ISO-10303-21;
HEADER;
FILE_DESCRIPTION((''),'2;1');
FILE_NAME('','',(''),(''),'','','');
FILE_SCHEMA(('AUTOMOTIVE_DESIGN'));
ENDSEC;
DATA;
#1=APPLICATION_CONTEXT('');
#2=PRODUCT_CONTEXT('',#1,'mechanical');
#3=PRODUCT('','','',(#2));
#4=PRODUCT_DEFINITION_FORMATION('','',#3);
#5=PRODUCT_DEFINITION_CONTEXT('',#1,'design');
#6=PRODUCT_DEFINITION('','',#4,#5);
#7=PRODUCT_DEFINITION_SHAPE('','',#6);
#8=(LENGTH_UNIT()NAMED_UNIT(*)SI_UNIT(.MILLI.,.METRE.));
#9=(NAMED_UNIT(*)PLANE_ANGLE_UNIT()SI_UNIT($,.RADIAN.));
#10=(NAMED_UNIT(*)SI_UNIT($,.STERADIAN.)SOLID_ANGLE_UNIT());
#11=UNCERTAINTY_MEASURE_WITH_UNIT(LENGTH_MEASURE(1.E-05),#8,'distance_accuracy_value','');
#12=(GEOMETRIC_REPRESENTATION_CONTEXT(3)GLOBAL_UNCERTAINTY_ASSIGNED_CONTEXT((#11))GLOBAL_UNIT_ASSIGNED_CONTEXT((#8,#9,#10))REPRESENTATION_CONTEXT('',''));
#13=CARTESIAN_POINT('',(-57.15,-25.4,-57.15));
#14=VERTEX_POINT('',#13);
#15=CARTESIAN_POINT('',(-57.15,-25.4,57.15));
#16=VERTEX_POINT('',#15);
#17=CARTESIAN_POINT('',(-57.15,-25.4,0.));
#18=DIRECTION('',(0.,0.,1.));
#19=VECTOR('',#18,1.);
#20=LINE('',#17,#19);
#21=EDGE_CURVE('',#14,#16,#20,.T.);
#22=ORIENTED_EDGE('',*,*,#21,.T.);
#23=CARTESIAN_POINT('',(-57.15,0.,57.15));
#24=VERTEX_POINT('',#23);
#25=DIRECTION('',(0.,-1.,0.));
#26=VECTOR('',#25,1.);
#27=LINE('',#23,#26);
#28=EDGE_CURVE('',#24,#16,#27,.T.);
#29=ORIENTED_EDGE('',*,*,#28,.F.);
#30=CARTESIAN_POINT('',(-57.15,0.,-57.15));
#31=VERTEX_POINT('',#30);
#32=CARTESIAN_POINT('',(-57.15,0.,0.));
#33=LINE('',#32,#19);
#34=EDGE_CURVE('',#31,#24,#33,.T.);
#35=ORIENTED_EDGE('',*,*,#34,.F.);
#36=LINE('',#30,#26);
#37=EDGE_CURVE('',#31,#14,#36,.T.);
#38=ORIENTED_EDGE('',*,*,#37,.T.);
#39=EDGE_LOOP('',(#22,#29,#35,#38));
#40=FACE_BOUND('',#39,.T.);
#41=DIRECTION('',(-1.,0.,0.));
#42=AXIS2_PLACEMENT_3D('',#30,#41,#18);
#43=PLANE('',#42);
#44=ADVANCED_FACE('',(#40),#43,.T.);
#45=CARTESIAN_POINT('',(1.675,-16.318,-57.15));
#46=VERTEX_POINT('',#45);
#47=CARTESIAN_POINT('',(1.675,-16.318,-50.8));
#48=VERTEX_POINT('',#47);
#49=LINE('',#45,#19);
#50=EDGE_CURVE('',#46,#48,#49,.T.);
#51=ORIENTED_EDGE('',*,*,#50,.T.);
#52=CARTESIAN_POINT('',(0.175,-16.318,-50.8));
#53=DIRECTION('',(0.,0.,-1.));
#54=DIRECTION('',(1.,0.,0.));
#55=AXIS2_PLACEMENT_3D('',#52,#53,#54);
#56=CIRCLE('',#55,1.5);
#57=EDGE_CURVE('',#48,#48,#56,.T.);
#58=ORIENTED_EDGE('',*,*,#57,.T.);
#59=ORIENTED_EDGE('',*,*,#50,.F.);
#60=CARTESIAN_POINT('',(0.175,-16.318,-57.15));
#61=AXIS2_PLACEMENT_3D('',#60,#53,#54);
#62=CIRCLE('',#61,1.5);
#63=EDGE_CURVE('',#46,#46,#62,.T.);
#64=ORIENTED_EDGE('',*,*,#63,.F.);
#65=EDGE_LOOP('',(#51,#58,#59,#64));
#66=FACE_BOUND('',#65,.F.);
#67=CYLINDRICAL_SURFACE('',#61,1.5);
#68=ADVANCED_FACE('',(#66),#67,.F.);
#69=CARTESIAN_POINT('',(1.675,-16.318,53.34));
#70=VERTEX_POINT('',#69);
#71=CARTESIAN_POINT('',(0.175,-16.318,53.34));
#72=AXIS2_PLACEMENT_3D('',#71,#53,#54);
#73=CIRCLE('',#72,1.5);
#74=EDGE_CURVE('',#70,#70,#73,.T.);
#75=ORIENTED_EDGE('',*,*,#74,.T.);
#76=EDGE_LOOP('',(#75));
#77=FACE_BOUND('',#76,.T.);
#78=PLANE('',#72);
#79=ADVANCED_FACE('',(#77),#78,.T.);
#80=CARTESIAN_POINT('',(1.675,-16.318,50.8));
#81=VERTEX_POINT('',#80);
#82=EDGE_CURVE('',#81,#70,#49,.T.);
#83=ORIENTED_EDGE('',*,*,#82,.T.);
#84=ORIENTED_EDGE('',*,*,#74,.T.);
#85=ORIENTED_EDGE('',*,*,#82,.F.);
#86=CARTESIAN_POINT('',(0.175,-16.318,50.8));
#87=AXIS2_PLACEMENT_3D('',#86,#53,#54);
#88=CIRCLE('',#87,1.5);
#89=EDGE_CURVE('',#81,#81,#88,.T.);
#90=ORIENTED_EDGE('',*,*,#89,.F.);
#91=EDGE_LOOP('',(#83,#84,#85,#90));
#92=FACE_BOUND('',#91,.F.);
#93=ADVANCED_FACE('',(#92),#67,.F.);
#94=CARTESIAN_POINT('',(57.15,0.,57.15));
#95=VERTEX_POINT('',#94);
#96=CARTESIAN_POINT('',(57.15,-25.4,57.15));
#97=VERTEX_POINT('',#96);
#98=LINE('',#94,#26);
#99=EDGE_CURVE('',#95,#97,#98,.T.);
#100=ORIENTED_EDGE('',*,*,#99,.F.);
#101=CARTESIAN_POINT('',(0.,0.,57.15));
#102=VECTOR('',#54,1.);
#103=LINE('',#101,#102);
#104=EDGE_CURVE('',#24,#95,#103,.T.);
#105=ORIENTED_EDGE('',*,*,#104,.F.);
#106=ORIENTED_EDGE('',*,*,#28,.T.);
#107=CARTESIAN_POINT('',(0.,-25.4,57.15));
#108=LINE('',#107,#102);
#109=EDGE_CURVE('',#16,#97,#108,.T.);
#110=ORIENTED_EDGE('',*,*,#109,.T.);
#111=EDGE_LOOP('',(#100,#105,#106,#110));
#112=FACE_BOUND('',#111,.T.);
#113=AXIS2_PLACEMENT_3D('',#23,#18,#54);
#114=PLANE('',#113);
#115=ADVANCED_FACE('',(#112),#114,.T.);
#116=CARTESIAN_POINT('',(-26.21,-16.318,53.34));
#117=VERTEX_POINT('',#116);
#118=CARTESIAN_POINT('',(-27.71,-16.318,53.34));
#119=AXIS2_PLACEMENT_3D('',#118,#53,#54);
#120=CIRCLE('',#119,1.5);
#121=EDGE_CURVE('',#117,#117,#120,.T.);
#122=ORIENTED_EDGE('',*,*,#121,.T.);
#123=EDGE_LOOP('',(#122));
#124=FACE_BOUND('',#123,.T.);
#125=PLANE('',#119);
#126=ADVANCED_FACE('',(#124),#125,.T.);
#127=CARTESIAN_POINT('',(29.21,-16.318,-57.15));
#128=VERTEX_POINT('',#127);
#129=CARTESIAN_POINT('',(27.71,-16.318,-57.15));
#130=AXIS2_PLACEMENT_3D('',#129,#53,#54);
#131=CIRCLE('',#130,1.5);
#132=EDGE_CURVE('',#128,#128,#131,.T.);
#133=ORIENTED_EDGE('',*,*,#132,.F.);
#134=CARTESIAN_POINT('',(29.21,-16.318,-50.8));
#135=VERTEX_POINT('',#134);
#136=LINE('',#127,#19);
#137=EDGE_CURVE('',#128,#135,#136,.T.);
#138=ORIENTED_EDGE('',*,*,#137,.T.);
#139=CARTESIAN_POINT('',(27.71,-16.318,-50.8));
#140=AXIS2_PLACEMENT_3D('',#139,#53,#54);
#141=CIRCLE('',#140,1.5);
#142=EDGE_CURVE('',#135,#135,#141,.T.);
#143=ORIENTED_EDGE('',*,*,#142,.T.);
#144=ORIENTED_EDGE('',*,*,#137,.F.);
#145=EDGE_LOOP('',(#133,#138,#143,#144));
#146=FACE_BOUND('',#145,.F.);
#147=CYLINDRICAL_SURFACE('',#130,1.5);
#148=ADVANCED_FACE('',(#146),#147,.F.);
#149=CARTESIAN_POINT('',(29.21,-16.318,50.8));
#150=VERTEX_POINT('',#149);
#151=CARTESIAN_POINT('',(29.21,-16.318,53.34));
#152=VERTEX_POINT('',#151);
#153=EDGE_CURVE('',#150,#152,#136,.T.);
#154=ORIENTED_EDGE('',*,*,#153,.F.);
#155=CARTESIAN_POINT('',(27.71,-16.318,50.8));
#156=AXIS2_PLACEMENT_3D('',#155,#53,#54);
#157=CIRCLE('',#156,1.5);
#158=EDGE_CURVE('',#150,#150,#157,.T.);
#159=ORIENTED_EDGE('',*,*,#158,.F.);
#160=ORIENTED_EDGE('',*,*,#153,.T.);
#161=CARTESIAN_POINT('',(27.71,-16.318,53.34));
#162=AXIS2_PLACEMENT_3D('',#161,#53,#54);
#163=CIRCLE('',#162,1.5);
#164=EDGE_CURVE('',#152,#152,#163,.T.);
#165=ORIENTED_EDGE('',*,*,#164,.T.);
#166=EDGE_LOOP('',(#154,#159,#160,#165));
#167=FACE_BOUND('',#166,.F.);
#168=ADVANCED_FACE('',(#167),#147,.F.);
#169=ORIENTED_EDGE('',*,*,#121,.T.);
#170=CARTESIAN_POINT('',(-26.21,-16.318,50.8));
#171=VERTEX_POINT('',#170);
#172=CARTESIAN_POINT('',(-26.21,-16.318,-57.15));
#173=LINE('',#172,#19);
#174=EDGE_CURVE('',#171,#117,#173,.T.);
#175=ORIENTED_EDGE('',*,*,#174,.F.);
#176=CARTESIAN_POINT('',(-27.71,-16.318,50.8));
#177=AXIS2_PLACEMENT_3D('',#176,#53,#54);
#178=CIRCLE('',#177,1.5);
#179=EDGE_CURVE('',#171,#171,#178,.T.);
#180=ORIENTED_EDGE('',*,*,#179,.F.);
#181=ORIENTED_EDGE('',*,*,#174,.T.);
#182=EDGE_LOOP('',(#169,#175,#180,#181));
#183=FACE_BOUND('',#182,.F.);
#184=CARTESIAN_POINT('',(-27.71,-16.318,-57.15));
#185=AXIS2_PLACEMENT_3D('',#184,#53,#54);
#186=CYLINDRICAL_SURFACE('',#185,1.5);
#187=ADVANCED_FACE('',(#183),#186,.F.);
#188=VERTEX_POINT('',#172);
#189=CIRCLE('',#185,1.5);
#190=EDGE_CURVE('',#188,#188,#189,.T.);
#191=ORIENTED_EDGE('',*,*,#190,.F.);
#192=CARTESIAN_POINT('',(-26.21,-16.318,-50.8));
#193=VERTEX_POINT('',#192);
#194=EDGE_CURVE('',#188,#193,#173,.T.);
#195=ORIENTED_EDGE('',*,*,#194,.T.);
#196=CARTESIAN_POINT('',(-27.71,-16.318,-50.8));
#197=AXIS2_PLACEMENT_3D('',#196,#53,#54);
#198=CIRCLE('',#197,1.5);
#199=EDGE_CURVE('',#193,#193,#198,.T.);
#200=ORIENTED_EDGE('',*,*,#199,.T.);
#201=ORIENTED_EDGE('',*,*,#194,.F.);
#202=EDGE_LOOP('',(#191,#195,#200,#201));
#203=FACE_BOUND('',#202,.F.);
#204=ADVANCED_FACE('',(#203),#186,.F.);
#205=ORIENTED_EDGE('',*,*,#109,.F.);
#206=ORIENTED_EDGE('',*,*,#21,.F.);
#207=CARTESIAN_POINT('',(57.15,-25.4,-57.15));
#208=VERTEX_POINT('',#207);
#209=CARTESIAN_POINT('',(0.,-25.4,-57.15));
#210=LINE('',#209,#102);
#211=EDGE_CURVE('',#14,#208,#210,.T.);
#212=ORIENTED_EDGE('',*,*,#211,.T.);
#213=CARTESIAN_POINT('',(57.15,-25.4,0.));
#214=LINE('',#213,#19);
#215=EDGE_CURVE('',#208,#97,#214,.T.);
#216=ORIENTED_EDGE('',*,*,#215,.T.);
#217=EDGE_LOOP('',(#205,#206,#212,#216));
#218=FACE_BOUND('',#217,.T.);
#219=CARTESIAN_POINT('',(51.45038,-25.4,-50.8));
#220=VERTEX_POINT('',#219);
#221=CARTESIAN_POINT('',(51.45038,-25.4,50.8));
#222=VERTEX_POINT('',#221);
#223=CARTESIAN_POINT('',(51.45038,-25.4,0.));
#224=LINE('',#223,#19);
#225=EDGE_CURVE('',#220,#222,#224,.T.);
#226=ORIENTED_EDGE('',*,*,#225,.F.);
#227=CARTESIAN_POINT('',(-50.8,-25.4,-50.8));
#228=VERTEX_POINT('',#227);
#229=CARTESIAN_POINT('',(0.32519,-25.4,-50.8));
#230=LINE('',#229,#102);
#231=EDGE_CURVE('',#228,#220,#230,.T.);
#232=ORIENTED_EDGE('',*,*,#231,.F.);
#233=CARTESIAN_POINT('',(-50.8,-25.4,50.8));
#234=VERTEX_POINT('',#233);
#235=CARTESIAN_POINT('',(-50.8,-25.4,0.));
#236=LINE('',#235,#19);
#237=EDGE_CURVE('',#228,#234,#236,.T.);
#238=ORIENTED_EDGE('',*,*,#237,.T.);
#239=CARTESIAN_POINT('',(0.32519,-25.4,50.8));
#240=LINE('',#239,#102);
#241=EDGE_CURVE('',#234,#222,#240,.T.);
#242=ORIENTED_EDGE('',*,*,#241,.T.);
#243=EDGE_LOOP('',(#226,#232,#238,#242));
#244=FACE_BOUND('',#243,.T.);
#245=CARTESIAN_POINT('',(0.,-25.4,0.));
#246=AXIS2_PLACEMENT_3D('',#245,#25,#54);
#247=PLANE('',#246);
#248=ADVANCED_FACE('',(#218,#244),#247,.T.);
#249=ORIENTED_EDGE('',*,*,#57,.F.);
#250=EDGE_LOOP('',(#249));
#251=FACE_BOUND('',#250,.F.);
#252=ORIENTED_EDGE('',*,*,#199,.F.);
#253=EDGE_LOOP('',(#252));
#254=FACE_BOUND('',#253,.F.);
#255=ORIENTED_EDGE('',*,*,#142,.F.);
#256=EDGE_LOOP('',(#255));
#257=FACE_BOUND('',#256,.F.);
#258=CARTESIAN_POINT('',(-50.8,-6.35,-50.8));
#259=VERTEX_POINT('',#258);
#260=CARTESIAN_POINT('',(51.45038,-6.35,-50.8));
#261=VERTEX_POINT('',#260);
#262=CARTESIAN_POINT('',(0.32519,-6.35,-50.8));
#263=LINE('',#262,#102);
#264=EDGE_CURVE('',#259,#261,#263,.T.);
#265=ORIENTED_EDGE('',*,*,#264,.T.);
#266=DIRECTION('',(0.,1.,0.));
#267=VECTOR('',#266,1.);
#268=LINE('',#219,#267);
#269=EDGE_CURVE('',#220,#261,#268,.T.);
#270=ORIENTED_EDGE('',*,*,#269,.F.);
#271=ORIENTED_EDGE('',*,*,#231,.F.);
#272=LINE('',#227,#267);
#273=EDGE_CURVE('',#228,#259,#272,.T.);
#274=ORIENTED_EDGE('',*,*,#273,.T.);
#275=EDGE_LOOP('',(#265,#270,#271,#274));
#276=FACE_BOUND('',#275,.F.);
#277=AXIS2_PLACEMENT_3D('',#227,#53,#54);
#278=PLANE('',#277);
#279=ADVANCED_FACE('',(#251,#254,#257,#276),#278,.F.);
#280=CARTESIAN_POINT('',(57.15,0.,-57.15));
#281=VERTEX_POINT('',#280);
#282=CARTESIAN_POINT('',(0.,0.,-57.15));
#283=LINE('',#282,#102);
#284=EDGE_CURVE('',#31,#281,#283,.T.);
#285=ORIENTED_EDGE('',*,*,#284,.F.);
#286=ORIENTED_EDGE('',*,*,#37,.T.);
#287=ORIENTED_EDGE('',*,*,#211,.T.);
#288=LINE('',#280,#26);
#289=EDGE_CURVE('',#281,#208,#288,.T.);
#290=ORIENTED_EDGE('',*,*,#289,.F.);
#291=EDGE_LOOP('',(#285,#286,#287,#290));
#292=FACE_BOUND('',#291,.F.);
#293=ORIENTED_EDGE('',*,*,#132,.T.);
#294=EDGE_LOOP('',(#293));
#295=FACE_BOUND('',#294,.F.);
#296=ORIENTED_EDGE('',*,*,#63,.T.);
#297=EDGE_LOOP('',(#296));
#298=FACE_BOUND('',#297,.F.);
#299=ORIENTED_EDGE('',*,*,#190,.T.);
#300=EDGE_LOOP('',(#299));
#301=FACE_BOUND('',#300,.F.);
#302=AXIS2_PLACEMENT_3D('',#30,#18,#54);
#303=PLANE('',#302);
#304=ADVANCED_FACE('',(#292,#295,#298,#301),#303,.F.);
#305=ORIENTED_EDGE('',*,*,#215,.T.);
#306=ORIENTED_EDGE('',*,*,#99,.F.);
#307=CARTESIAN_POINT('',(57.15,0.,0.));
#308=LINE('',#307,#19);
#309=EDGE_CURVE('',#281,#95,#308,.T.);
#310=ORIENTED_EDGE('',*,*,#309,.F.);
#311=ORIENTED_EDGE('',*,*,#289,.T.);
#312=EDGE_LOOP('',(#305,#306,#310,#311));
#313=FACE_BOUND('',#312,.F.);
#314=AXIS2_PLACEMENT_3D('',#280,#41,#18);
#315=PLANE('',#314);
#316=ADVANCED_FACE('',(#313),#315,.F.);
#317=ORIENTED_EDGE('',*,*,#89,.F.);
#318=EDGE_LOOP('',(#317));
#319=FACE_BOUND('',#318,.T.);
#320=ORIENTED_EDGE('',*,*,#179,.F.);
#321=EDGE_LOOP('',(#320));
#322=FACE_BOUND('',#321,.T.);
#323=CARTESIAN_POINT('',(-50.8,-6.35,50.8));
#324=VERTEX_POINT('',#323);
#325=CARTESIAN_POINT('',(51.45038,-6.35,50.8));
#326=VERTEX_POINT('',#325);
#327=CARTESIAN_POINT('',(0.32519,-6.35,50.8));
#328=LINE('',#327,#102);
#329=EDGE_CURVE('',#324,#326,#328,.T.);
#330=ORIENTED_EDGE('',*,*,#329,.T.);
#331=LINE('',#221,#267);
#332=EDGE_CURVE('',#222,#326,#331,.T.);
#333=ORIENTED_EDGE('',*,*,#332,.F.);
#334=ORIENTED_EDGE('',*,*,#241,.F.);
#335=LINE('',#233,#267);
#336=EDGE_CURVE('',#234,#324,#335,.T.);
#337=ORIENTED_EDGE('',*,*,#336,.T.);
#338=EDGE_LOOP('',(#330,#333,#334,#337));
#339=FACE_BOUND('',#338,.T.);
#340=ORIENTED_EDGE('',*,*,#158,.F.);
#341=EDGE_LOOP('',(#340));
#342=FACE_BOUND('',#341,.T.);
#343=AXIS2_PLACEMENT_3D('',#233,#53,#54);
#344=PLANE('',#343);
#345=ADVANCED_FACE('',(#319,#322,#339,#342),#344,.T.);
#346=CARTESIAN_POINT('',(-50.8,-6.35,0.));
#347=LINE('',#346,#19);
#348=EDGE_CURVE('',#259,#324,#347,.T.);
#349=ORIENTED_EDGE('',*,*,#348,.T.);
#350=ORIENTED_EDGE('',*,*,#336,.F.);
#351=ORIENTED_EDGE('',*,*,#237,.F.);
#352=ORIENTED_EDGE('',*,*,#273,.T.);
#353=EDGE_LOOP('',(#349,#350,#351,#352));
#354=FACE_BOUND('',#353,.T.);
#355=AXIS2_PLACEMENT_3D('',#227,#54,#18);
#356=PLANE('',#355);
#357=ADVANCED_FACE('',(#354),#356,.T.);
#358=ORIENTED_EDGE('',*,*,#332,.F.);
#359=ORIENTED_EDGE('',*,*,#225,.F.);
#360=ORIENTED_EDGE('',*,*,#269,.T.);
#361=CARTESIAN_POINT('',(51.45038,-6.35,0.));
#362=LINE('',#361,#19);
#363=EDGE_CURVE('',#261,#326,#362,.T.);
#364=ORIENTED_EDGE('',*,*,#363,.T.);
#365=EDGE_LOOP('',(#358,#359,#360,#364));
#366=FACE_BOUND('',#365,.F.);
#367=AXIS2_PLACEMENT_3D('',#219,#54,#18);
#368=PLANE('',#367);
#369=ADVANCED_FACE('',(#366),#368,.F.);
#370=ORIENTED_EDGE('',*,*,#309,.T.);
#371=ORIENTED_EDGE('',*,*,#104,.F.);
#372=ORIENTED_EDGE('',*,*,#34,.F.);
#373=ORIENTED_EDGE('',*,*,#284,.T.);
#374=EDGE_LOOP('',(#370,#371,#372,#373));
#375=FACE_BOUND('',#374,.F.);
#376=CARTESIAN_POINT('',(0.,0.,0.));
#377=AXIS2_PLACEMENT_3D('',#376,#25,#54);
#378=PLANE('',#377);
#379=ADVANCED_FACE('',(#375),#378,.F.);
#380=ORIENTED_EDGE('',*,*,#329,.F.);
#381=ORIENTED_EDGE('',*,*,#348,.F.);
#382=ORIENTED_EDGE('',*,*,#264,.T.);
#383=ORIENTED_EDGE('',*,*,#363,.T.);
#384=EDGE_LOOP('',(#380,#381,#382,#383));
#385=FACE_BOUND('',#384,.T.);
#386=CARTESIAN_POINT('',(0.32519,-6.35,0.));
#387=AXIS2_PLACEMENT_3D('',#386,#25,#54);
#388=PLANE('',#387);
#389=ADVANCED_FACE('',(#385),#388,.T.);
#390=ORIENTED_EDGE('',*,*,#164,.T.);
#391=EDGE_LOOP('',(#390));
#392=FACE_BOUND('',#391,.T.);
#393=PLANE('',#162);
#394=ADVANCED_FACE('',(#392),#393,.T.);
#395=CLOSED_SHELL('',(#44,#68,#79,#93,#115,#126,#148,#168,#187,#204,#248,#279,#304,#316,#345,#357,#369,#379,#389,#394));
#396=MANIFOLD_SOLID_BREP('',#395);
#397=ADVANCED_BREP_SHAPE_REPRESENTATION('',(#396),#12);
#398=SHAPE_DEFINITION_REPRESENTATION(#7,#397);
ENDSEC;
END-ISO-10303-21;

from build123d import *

# Parameters (mm, degrees)
F0_W     = 114.3
F0_H     = 114.3
F2_DEPTH = 25.4
F3_W     = 102.25038
F3_H     = 101.6
F4_DEPTH = 19.05
F5_R     = 1.5
F6_DEPTH = 110.49


with BuildPart() as f2:
    # F0 (on Front) → F2 (new body)
    with BuildSketch(Plane.XZ):
        Rectangle(F0_W, F0_H)
    extrude(amount=F2_DEPTH)

    # F3 (on face) → F4 (cut)
    with BuildSketch(Plane.XZ.offset(25.4)):
        with Locations((0.32519, 0)):
            Rectangle(F3_W, F3_H)
    extrude(amount=-F4_DEPTH, mode=Mode.SUBTRACT)

    # F5 (on face) → F6 (cut)
    with BuildSketch(Plane(origin=(0, 0, -57.15), x_dir=(1, 0, 0), z_dir=(0, 0, -1))):
        with Locations((0.175, 16.318)):
            Circle(F5_R)
        with Locations((27.71, 16.318)):
            Circle(F5_R)
        with Locations((-27.71, 16.318)):
            Circle(F5_R)
    extrude(amount=-F6_DEPTH, mode=Mode.SUBTRACT)


solid = f2.part
